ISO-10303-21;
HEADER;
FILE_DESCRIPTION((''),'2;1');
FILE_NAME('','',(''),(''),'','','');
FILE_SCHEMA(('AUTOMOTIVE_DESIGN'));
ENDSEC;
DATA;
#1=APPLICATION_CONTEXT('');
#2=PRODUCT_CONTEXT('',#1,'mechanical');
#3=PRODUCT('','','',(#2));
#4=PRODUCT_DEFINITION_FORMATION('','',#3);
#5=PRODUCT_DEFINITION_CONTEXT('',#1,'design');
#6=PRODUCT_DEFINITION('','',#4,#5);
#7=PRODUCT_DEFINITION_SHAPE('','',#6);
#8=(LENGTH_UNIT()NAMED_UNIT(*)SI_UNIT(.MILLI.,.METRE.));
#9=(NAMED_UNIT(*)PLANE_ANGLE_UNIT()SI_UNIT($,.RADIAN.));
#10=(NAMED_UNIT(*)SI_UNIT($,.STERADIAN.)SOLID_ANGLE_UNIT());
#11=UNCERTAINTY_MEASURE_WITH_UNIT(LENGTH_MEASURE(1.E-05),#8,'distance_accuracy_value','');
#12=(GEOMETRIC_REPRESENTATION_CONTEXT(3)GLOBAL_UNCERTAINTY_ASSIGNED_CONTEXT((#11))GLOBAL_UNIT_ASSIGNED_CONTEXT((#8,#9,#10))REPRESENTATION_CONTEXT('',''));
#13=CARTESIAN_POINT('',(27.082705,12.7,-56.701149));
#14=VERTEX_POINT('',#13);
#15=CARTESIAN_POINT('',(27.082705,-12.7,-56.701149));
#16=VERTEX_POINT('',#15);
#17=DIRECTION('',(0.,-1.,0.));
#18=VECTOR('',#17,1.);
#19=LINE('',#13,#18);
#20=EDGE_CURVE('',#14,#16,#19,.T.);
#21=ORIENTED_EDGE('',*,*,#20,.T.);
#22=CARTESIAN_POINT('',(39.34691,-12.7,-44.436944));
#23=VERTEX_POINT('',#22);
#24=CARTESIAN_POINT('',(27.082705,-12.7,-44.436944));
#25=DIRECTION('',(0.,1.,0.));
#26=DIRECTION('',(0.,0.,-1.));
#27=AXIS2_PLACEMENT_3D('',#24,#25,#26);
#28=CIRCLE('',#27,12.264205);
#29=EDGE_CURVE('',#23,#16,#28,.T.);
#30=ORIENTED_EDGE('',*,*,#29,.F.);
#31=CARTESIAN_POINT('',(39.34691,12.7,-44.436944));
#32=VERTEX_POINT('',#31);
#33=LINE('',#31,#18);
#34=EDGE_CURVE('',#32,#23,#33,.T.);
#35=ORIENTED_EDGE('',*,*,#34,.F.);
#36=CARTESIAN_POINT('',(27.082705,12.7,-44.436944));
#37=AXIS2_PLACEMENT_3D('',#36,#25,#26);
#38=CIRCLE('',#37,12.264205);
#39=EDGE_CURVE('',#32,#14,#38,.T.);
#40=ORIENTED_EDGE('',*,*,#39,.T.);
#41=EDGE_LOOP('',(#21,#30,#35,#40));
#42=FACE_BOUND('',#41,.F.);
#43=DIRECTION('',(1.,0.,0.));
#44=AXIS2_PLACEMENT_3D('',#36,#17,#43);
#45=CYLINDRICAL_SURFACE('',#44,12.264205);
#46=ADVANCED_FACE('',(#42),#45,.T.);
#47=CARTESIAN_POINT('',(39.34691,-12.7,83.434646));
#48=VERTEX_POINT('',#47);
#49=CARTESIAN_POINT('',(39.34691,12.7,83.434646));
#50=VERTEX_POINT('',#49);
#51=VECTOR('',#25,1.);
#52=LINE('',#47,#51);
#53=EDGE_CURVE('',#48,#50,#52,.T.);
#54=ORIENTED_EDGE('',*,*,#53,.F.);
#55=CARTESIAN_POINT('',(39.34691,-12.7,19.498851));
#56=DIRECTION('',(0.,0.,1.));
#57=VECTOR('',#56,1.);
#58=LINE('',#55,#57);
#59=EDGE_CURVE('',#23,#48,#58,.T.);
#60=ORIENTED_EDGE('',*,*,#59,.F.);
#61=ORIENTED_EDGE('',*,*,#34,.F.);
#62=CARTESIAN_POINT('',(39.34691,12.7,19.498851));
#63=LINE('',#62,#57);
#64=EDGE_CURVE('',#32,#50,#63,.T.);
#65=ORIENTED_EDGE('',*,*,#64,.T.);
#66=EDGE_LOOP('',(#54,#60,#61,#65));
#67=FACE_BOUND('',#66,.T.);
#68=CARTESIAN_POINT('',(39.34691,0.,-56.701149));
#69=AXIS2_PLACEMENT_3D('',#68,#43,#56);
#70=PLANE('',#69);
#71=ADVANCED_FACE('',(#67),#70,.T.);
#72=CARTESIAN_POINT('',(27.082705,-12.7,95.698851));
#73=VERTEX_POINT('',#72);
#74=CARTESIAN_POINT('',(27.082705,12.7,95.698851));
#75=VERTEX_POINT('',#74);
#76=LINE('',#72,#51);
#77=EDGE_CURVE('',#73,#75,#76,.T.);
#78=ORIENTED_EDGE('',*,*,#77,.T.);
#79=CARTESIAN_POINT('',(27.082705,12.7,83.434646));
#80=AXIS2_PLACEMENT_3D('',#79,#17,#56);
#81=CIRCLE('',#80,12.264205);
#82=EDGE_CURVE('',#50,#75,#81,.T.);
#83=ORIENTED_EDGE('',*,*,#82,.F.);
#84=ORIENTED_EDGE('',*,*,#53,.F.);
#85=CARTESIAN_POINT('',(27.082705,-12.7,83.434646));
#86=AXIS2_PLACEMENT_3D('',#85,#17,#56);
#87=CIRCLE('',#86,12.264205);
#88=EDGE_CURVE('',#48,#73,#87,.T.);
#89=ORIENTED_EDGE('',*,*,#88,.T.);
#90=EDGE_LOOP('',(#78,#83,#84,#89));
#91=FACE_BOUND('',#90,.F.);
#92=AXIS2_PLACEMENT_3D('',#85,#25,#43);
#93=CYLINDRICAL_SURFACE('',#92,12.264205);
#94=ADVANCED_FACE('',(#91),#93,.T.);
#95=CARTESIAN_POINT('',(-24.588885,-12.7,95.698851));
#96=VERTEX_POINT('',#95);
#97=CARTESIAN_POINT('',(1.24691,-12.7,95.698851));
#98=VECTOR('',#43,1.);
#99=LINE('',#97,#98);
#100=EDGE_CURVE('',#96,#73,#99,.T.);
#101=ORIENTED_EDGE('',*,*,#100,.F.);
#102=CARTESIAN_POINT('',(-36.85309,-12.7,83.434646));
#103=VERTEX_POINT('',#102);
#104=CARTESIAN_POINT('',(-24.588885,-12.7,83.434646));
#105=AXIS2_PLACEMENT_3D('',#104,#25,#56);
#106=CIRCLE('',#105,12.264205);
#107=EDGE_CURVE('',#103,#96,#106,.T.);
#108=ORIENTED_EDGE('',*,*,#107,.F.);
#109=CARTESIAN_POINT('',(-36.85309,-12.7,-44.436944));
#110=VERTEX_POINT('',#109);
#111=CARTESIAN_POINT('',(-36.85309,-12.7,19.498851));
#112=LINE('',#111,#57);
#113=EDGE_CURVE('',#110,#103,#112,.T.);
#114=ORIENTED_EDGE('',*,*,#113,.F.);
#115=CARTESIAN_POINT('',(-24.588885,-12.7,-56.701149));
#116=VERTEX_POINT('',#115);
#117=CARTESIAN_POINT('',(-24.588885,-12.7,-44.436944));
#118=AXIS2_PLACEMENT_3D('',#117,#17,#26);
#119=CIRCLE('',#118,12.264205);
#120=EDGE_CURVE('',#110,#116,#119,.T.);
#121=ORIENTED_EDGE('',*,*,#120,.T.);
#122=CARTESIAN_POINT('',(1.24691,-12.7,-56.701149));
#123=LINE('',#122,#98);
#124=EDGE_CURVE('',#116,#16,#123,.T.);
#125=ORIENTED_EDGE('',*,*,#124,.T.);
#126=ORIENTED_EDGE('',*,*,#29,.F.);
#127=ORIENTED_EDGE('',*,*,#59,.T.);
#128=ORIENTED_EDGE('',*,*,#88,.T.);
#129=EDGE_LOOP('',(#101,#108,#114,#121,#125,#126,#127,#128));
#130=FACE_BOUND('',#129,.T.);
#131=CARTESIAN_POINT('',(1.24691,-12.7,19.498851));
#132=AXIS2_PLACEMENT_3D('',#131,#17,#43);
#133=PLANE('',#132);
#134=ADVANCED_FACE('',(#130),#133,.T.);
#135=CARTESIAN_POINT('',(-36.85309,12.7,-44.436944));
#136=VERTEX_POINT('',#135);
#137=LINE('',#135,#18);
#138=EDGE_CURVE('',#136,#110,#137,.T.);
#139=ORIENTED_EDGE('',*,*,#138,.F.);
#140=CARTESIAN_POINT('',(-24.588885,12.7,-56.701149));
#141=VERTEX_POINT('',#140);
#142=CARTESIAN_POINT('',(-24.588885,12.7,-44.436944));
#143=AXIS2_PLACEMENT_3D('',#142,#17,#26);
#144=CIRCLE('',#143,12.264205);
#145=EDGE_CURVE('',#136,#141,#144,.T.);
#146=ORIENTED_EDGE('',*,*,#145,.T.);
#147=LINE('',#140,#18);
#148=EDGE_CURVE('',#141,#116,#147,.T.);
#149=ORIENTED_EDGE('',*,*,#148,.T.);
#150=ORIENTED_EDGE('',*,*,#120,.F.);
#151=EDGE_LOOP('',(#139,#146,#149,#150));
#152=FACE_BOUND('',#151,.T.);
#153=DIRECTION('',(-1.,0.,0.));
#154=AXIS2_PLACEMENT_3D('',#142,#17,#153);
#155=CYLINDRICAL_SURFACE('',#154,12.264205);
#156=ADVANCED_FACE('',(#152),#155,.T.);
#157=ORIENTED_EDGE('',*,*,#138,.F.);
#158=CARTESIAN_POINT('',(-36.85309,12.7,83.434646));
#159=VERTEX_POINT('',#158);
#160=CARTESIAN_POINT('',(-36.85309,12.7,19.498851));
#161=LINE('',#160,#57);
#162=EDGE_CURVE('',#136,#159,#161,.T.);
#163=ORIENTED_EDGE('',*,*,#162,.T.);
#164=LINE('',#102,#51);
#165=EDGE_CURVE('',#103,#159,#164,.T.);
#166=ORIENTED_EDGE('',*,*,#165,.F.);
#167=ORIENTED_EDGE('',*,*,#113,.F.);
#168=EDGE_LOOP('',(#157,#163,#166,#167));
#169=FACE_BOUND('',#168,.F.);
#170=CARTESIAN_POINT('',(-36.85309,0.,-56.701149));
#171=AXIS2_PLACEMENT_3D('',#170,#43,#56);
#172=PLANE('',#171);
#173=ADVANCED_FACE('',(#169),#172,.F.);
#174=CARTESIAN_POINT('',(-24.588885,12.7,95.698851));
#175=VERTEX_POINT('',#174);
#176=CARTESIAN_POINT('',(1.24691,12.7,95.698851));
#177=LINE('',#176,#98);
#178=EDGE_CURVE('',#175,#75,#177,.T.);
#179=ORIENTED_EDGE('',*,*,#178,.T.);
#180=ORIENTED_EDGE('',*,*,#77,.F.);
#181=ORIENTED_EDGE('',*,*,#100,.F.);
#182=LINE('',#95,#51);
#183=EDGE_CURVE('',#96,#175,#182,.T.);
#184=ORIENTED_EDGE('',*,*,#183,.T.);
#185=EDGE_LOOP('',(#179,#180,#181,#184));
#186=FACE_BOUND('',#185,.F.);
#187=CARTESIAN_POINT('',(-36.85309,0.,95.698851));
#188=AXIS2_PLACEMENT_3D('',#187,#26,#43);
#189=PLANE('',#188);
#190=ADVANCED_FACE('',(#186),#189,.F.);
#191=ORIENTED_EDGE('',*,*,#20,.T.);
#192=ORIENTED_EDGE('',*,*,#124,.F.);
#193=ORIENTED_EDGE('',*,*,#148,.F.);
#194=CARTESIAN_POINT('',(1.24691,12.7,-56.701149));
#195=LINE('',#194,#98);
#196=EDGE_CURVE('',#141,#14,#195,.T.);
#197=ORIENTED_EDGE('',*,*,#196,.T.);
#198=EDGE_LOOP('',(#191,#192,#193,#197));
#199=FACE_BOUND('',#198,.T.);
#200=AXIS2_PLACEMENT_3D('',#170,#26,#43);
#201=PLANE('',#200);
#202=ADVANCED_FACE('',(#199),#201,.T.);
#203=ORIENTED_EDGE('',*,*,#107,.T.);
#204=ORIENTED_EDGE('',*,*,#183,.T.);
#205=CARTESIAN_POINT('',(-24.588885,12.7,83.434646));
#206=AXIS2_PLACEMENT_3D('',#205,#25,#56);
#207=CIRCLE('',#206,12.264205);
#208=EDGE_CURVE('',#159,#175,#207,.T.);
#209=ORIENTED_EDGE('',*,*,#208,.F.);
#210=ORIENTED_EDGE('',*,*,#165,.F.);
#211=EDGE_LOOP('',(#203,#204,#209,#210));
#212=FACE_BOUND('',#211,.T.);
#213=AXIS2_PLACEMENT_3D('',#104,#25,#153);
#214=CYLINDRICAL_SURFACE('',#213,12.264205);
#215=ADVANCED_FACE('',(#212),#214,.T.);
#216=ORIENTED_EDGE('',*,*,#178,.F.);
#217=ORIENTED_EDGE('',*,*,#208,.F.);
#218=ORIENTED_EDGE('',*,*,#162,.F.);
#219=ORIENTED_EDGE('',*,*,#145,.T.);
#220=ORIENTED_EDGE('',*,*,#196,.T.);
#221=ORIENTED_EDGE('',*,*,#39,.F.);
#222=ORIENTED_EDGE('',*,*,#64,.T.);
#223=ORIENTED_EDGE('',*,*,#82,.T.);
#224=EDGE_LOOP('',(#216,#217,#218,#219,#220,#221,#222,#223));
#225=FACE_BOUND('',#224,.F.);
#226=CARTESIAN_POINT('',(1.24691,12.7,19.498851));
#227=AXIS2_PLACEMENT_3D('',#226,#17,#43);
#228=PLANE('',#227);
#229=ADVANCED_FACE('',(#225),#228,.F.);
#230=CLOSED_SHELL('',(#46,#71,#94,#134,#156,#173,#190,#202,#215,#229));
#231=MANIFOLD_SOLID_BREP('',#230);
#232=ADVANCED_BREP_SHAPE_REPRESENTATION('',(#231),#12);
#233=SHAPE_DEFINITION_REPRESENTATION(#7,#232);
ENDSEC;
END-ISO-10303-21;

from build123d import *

# Parameters (mm, degrees)
F0_W     = 76.2
F0_H     = 152.4
F1_DEPTH = 12.7
F2_R     = 12.264205


with BuildPart() as f1:
    # F0 (on Front) → F1 (new body, symmetric)
    with BuildSketch(Plane.XZ):
        with Locations((1.24691, 19.498851)):
            Rectangle(F0_W, F0_H)
    extrude(amount=F1_DEPTH, both=True)

    # F2
    f2_edges = [f1.edges().sort_by_distance(p)[0] for p in [
        (-36.85309, 0, 95.698851),
        (39.34691, 0, 95.698851),
        (-36.85309, 0, -56.701149),
        (39.34691, 0, -56.701149),
    ]]
    fillet(f2_edges, radius=F2_R)


solid = f1.part
